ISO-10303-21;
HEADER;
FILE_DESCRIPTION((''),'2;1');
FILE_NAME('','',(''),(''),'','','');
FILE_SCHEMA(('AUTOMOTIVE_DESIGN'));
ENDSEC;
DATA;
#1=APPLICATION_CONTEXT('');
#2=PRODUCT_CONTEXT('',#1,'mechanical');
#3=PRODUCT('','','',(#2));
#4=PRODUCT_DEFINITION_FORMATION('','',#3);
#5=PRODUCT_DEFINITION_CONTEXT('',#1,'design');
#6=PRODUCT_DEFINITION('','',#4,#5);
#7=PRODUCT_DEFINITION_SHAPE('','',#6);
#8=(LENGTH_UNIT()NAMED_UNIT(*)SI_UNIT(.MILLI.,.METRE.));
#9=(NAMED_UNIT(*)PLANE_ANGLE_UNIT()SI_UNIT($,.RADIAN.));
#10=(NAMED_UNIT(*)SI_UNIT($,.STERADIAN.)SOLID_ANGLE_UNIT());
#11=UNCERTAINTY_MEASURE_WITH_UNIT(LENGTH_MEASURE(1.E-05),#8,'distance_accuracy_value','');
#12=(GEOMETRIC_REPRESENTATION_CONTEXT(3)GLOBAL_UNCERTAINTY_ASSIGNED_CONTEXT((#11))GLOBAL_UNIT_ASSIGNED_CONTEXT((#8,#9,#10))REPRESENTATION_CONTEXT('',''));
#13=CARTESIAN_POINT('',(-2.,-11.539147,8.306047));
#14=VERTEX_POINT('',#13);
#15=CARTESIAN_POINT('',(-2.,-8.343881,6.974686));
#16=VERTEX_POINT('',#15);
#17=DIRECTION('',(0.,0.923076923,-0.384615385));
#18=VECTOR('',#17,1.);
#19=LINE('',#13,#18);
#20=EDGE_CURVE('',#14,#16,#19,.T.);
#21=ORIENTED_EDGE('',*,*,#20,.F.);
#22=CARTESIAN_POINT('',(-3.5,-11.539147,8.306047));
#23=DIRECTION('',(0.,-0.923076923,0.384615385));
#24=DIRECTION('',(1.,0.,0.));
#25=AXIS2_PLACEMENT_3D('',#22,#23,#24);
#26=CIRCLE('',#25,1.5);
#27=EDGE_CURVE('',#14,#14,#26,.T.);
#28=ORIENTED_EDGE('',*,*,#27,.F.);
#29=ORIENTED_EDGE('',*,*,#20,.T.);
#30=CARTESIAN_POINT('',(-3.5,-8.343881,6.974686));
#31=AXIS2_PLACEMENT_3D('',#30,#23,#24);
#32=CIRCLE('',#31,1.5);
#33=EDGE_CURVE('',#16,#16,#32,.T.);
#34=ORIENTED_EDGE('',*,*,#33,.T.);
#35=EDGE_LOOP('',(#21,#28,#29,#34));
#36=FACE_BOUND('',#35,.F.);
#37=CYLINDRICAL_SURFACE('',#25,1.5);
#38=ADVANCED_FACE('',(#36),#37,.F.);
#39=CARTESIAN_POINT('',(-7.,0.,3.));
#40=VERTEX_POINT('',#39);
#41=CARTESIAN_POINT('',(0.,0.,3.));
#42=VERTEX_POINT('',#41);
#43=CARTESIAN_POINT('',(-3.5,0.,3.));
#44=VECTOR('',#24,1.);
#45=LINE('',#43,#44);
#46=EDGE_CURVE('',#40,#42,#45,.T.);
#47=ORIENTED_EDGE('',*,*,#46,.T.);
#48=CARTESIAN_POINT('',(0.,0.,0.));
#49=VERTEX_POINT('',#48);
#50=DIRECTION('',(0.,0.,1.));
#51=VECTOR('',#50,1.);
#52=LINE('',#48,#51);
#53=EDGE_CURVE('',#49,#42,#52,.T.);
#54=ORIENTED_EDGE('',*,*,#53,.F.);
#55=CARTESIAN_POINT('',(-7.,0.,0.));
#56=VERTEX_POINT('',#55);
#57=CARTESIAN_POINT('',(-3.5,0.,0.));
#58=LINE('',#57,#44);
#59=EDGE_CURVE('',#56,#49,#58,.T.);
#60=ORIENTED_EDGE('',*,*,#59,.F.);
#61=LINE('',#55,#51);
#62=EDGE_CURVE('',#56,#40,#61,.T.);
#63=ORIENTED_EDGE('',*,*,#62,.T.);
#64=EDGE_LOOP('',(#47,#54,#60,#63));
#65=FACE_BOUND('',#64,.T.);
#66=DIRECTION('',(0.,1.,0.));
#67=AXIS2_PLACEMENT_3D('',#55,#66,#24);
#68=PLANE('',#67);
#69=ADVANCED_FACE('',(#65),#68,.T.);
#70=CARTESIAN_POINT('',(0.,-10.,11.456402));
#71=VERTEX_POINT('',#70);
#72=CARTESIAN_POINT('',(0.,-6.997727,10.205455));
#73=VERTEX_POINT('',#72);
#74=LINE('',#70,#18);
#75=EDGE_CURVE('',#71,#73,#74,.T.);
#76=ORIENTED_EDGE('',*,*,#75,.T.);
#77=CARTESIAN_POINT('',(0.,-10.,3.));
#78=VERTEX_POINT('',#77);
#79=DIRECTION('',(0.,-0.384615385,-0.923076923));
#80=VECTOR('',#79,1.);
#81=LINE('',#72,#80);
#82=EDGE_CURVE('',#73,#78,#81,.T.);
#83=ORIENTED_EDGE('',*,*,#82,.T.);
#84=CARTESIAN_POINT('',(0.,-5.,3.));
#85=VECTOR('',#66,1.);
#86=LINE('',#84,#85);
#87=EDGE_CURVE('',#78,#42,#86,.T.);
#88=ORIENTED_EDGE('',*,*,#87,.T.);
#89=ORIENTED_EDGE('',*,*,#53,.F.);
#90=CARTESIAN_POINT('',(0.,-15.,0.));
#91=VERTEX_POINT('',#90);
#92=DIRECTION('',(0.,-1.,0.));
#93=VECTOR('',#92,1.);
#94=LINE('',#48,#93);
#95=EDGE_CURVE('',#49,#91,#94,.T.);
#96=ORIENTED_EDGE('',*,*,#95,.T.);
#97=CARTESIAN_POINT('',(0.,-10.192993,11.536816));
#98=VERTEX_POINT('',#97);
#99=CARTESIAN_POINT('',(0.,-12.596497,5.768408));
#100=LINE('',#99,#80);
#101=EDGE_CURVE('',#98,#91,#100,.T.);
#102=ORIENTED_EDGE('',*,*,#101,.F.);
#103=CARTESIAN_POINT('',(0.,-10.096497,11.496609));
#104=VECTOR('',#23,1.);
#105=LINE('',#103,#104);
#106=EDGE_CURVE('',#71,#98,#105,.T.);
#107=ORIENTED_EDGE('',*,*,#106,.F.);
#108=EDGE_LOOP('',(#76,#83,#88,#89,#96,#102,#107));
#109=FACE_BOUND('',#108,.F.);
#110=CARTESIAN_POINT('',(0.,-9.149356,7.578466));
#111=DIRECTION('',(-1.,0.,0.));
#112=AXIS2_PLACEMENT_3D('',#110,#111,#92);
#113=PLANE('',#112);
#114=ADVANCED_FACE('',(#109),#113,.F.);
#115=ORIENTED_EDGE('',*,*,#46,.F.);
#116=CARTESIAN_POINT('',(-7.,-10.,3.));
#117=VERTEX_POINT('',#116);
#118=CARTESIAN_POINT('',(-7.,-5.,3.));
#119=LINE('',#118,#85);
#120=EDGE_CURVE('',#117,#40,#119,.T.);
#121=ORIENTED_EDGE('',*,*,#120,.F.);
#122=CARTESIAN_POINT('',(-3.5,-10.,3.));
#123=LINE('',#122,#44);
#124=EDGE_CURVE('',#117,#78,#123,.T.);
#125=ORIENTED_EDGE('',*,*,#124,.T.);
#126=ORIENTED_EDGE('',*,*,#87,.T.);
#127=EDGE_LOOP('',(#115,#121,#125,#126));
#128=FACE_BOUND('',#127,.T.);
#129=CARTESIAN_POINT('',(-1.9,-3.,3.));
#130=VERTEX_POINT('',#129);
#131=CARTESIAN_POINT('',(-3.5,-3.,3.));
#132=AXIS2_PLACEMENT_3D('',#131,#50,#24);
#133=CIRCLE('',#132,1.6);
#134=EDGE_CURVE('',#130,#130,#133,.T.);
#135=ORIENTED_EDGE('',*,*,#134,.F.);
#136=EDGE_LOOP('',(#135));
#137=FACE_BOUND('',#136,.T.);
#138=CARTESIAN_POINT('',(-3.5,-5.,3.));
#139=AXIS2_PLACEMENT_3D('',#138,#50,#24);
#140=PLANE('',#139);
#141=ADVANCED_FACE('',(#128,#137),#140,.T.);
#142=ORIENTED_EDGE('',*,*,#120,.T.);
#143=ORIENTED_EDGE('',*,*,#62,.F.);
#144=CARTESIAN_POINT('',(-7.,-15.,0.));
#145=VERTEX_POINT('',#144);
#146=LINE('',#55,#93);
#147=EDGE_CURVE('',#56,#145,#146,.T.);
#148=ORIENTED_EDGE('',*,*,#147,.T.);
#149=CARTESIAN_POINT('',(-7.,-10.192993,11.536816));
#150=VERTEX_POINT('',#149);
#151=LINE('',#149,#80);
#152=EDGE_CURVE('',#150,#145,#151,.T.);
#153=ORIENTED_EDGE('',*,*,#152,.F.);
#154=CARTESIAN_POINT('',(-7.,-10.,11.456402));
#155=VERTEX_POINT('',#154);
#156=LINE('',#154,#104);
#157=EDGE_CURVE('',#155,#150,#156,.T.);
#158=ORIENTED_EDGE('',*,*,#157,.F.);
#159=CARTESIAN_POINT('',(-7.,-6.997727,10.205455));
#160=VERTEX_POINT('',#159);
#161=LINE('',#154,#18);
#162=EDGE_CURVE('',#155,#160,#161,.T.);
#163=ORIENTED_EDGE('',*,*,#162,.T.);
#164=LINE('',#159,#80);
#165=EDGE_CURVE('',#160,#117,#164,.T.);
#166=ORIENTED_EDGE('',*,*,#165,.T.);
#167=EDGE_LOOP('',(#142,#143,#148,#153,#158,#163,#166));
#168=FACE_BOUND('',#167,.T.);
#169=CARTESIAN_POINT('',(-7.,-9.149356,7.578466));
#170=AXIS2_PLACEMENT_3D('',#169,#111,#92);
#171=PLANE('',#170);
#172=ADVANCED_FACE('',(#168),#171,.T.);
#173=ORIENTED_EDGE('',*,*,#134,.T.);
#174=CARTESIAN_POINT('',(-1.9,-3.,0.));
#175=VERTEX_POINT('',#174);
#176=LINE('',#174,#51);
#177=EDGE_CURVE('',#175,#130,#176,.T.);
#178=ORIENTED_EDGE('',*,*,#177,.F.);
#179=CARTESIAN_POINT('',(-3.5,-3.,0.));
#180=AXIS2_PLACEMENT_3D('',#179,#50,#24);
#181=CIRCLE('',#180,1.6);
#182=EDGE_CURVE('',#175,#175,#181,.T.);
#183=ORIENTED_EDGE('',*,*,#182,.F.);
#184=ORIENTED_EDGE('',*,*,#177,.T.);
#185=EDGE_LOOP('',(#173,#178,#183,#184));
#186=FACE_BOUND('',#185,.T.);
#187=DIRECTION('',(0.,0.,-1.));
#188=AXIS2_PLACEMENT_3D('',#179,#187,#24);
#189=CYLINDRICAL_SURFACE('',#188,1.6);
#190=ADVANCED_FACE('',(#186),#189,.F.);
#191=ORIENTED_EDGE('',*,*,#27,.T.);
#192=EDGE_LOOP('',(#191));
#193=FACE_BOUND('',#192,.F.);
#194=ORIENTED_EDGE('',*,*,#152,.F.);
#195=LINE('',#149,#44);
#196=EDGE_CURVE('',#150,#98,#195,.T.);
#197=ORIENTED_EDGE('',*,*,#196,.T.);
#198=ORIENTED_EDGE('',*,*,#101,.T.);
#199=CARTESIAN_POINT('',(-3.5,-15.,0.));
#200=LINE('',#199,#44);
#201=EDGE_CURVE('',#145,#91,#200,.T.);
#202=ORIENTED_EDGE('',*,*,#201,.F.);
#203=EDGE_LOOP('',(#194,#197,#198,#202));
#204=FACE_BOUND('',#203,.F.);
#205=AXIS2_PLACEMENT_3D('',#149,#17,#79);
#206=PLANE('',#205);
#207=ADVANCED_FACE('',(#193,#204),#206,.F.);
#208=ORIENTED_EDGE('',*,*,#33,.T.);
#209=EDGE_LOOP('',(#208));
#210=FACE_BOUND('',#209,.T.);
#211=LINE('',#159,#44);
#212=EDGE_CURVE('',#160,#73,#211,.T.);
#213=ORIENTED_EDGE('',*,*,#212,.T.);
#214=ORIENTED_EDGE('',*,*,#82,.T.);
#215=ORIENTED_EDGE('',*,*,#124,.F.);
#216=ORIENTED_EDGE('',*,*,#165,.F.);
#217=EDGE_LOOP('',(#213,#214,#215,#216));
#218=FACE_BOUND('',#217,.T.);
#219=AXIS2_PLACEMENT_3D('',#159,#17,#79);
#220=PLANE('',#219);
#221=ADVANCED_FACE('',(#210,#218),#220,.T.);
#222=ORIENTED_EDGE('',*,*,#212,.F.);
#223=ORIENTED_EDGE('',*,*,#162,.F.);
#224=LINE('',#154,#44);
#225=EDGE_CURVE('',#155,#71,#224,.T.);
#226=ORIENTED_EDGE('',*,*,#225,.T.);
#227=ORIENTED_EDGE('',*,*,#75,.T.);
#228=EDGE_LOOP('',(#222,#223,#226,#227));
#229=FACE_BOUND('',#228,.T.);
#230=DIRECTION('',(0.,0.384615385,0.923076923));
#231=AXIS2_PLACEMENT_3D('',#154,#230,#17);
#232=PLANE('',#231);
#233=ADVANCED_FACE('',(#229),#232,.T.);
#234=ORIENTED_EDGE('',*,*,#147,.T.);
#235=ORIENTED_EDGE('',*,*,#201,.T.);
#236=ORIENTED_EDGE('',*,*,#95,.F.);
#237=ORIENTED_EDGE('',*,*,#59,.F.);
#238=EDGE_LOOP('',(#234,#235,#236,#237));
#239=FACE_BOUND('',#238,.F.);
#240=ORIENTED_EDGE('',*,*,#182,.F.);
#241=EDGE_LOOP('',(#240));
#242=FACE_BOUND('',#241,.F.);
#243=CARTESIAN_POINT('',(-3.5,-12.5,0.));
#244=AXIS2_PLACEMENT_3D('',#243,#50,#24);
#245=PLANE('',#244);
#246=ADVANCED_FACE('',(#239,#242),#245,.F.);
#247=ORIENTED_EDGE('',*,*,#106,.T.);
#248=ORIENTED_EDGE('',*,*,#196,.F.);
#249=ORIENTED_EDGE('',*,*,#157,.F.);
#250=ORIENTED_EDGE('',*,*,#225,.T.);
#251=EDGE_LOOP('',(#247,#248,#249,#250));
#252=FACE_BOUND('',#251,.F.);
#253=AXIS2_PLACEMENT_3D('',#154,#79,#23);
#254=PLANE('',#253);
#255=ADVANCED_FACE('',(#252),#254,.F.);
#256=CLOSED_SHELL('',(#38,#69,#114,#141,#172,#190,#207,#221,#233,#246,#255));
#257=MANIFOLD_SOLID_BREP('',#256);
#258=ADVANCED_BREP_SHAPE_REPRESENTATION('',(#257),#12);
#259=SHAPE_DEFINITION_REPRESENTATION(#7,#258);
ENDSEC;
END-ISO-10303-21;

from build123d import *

# Parameters (mm, degrees)
F0_W     = 7
F0_H     = 10
F0_R     = 1.6
F1_DEPTH = 3
F0_H_2   = 5
F2_DEPTH = 12
F4_DEPTH = 25
F5_DEPTH = 7
F6_R     = 1.5
F7_DEPTH = 10


with BuildPart() as f1:
    # F0 (on Top) → F1 (new body)
    with BuildSketch(Plane.XY):
        with Locations((-3.5, -5)):
            Rectangle(F0_W, F0_H)
        with Locations((-3.5, -3)):
            Circle(F0_R, mode=Mode.SUBTRACT)
    extrude(amount=F1_DEPTH)

    # F0 (on Top) → F2 (join)
    with BuildSketch(Plane.XY):
        with Locations((-3.5, -12.5)):
            Rectangle(F0_W, F0_H_2)
    extrude(amount=F2_DEPTH)

    # F3 (on face) → F4 (cut)
    with BuildSketch(Plane(origin=(-7, 0, 0), x_dir=(0, -1, 0), z_dir=(-1, 0, 0))):
        Polygon((10.1929933606, 11.5368159345), (15, 0), (15, 12), (10, 12), align=None)
        Polygon((10, 11.4564020342), (10.1929933606, 11.5368159345), (10, 12), align=None)
    extrude(amount=-F4_DEPTH, mode=Mode.SUBTRACT)

    # F3 (on face) → F5 (join)
    with BuildSketch(Plane(origin=(-7, 0, 0), x_dir=(0, -1, 0), z_dir=(-1, 0, 0))):
        Polygon((10, 3), (10, 11.4564020342), (6.9977270885, 10.2054549877), align=None)
    extrude(amount=-F5_DEPTH)

    # F6 (on face) → F7 (cut)
    with BuildSketch(Plane(origin=(0, -12.7810650888, 5.325443787), x_dir=(1, 0, 0), z_dir=(0, -0.9230769231, 0.3846153846))):
        with Locations((-3.5, 3.2289864931)):
            Circle(F6_R)
    extrude(amount=-F7_DEPTH, mode=Mode.SUBTRACT)


solid = f1.part
